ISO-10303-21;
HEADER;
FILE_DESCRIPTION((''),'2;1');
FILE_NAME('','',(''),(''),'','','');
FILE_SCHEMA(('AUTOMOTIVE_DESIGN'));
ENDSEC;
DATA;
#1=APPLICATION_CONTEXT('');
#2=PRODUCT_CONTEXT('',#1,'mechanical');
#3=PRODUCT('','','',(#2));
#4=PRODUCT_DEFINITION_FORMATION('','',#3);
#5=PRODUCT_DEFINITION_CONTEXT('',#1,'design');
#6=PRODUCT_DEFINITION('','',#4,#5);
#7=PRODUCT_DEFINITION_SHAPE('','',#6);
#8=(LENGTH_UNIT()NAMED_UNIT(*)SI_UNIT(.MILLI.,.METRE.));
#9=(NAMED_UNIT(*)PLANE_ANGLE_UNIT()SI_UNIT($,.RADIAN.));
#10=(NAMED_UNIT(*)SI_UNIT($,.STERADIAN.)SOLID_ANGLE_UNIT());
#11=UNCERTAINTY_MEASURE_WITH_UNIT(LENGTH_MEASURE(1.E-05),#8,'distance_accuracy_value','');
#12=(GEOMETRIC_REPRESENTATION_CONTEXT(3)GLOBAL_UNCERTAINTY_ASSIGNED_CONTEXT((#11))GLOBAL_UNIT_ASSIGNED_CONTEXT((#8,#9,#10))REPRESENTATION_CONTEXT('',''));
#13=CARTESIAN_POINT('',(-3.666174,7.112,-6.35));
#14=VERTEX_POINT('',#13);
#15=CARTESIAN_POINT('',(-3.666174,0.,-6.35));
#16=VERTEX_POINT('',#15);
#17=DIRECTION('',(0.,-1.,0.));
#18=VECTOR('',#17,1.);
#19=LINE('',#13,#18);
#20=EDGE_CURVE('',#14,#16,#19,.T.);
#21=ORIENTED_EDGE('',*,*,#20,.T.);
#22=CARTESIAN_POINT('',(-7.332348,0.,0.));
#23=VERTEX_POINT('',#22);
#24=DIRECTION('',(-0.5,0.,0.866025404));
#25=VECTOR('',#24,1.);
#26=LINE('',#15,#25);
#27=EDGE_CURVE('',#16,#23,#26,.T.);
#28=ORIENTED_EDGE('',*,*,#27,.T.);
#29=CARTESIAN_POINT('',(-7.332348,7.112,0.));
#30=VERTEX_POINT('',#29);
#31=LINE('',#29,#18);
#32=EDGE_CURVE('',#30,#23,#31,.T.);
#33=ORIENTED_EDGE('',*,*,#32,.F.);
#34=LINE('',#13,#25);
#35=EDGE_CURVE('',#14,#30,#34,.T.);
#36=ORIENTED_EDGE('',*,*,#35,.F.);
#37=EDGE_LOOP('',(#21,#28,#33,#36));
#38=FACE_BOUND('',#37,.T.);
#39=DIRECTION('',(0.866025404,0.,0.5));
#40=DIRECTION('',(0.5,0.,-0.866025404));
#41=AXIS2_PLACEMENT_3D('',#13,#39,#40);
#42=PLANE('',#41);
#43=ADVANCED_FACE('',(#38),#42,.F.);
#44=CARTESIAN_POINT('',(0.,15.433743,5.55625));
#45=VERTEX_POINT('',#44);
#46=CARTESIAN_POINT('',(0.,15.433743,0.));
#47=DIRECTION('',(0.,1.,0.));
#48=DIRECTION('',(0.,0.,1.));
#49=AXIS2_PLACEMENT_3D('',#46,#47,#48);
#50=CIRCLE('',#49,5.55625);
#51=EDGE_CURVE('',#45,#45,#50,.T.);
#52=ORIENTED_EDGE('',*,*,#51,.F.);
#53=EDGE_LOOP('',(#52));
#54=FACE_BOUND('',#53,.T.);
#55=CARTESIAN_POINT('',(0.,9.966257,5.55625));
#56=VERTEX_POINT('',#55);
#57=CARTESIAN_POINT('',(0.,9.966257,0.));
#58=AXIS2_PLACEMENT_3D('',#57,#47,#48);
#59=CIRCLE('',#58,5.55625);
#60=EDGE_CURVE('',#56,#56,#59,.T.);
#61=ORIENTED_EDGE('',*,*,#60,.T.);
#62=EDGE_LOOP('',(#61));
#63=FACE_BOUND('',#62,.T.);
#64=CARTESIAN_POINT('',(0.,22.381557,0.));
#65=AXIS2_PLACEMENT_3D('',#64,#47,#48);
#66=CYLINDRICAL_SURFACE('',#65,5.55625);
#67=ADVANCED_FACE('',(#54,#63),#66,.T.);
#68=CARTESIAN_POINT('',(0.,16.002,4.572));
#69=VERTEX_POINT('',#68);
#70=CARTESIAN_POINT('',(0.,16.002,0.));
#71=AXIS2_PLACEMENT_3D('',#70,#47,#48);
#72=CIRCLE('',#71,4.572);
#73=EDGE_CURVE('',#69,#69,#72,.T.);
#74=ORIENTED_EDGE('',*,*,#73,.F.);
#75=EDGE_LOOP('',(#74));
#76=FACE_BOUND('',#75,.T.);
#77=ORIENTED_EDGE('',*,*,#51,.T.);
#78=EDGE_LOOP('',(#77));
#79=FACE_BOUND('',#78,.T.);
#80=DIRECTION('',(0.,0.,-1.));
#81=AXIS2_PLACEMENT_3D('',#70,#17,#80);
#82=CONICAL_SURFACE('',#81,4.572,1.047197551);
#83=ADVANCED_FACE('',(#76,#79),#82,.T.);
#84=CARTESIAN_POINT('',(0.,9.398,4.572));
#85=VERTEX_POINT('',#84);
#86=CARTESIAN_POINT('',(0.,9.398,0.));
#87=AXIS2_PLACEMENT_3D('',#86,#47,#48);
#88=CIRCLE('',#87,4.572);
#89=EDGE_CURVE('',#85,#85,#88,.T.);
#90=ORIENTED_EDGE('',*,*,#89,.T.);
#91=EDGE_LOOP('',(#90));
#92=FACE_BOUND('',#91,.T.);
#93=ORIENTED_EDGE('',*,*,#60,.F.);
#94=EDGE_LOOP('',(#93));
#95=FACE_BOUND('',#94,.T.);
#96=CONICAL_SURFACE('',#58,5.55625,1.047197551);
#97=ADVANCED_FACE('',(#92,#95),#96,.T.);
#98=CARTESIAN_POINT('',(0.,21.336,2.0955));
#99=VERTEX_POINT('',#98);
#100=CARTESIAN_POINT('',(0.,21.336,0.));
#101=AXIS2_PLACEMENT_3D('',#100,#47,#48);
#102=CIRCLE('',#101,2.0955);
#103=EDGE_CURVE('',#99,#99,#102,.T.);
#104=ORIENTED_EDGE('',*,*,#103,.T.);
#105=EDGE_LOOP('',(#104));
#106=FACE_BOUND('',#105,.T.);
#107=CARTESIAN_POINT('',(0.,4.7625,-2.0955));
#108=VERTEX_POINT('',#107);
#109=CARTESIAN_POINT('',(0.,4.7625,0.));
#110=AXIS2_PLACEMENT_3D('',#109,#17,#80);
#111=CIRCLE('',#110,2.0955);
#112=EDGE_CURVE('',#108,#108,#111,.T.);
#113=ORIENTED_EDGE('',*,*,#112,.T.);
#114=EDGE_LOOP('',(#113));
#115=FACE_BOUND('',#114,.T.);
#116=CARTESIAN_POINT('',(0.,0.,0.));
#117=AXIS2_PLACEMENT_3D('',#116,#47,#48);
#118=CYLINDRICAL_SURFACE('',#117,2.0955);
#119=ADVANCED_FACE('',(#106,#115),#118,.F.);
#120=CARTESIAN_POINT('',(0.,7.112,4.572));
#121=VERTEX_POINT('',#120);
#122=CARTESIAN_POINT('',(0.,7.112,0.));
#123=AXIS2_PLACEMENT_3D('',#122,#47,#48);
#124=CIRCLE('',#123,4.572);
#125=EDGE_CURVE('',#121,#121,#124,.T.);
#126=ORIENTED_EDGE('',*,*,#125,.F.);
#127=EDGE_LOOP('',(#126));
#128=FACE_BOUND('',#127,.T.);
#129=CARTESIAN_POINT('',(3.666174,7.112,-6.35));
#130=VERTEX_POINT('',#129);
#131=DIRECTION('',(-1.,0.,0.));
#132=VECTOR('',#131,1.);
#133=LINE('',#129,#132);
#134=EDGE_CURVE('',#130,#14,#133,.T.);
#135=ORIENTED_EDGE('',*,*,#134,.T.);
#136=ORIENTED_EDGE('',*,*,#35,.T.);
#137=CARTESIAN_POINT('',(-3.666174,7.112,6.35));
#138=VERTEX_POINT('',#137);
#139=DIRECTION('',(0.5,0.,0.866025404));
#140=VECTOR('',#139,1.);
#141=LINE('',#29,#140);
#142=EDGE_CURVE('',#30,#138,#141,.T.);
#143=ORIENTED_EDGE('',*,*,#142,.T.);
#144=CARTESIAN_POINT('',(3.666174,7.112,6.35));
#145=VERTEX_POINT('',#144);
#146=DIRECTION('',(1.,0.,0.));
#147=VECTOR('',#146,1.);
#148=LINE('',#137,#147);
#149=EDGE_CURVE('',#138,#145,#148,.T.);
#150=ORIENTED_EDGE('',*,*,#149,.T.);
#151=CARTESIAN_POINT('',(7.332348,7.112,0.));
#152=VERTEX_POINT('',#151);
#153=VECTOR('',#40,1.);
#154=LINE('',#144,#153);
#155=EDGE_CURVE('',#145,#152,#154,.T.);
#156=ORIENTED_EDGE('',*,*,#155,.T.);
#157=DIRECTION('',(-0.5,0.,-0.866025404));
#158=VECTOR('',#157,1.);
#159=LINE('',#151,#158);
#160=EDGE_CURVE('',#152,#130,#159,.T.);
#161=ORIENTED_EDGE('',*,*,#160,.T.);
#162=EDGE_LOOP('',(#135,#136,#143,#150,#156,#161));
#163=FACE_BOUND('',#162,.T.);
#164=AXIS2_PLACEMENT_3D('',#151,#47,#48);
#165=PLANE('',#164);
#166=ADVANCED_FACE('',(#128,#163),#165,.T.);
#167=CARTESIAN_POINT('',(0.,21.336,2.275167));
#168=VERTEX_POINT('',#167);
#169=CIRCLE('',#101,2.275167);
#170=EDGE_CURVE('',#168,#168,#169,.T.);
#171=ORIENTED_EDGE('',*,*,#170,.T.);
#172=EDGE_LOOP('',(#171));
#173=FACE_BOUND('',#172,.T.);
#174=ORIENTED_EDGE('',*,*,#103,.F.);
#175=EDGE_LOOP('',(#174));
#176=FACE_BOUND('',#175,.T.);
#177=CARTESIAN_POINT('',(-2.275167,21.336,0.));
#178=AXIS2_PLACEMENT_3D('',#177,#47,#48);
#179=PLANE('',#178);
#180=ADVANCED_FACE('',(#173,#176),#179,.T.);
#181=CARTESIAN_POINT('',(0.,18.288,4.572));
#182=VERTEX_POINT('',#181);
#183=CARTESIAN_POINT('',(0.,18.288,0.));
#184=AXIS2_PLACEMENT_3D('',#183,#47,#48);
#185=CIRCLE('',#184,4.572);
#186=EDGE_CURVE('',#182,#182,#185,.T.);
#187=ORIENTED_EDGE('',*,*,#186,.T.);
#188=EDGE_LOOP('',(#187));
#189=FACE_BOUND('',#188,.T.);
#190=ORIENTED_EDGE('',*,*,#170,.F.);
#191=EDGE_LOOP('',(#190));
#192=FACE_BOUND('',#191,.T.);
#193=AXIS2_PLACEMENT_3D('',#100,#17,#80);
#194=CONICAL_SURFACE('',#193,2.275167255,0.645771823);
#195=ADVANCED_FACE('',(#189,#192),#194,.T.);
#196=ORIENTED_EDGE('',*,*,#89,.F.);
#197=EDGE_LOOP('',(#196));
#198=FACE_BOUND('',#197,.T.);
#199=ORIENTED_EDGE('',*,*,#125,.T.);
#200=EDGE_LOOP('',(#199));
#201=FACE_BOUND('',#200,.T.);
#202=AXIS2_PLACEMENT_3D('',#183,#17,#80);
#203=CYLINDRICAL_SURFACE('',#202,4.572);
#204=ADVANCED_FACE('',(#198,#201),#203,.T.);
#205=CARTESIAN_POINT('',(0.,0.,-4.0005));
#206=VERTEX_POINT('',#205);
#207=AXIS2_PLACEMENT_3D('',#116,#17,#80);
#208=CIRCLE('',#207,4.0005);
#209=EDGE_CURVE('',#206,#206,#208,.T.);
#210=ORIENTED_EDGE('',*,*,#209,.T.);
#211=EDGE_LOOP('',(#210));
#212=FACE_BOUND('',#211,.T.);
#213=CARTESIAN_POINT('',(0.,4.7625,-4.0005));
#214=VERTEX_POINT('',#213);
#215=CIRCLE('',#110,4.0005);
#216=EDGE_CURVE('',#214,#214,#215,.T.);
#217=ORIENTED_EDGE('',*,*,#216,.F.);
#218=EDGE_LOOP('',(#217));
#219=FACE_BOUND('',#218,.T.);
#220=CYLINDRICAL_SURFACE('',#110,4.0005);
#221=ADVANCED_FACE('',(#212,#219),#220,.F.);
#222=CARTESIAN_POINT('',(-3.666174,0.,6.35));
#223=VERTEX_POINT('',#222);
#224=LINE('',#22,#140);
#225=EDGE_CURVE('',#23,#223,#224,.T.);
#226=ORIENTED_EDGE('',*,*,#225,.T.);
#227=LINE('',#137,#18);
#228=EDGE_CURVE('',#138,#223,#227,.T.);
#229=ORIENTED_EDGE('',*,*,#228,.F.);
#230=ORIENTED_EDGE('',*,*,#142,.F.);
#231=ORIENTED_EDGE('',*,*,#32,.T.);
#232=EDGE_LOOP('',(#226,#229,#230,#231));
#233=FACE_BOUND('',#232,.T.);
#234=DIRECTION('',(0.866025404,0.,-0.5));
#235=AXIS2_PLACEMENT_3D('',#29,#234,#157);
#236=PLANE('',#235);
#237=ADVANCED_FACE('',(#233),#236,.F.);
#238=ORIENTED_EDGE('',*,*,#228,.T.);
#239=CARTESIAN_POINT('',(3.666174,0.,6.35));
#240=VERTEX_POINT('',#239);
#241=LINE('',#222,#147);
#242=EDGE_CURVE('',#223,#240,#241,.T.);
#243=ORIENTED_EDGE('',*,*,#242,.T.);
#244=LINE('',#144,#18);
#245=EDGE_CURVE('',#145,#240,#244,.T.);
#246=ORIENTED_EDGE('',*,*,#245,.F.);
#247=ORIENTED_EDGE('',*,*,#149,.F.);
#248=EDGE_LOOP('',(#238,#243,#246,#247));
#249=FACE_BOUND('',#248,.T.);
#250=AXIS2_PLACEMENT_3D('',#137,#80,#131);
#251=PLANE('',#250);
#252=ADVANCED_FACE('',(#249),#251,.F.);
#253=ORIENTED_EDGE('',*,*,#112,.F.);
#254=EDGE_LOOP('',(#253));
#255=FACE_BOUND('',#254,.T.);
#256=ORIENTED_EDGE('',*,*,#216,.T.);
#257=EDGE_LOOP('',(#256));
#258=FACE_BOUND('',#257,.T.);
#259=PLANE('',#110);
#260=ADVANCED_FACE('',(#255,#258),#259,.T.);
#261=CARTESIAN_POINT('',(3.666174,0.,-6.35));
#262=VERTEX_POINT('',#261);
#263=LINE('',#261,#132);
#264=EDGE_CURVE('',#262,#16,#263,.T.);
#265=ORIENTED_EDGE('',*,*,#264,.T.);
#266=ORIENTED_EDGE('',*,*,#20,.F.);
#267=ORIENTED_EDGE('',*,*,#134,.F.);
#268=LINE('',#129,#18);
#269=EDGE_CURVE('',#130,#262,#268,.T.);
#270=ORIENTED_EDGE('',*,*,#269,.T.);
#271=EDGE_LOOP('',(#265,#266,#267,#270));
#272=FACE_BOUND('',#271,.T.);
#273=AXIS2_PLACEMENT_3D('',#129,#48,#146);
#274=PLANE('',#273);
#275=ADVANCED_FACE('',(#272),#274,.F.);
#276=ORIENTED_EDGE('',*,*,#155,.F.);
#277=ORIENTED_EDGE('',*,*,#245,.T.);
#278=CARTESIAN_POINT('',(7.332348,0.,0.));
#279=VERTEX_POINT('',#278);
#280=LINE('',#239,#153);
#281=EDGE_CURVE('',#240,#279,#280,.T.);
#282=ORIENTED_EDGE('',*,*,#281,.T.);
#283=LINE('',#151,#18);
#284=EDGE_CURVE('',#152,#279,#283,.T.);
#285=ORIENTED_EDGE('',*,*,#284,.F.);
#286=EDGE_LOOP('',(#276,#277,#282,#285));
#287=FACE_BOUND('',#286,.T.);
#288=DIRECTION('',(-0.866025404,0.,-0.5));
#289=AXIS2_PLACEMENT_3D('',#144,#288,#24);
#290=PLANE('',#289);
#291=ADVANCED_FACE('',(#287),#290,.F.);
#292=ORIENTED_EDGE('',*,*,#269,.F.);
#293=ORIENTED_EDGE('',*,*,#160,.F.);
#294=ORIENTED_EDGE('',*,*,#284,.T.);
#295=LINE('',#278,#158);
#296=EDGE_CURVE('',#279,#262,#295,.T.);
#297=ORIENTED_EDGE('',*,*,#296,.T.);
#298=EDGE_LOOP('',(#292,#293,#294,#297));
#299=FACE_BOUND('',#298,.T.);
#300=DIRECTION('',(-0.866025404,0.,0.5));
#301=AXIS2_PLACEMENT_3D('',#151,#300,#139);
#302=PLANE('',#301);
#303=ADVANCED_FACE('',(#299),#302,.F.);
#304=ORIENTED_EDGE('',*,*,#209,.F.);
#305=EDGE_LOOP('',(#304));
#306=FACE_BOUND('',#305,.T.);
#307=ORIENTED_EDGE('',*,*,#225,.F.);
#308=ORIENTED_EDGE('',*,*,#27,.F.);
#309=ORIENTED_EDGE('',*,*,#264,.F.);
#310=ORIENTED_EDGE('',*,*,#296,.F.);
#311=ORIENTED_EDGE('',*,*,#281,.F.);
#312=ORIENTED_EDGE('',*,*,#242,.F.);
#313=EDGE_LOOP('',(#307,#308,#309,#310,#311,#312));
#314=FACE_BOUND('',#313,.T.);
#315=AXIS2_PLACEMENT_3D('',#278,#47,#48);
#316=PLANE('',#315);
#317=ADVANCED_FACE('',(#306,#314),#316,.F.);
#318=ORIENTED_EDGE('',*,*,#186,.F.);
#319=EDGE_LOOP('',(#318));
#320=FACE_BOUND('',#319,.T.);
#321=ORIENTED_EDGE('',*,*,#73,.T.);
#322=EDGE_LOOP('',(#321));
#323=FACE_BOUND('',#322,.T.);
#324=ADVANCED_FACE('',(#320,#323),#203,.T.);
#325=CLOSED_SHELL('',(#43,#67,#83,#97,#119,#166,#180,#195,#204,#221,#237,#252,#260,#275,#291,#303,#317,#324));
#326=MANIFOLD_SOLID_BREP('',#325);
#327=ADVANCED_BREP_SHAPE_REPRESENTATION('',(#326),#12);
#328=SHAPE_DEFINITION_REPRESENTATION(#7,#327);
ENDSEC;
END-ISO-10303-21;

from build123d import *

# Parameters (mm, degrees)
BOSS_EXTRUDE1_DEPTH = 7.112
SKETCH2_R           = 4.572
BOSS_EXTRUDE2_DEPTH = 11.176
SKETCH4_R           = 4.0005
CUT_EXTRUDE1_DEPTH  = 4.7625
SKETCH5_R           = 2.0955
CUT_EXTRUDE2_DEPTH  = 22.336


with BuildPart() as part:
    # Sketch1 → Boss-Extrude1 (new body)
    with BuildSketch(Plane(origin=(0, 0, 0), x_dir=(1, 0, 0), z_dir=(0, 1, 0))):
        Polygon((7.332348419, 0), (3.666174209, 6.35), (-3.666174209, 6.35), (-7.332348419, 0), (-3.666174209, -6.35), (3.666174209, -6.35), align=None)
    extrude(amount=BOSS_EXTRUDE1_DEPTH)

    # Sketch2 → Boss-Extrude2 (add)
    with BuildSketch(Plane(origin=(0, 7.112, 0), x_dir=(1, 0, 0), z_dir=(0, 1, 0))):
        Circle(SKETCH2_R)
    extrude(amount=BOSS_EXTRUDE2_DEPTH)

    # Sketch3 → Revolve1 (revolve)
    with BuildSketch(Plane.XY):
        Polygon((0, 18.288), (-4.572, 18.288), (-2.275167255, 21.336), (0, 21.336), align=None)
    revolve(axis=Axis((0, 24.854353551, 0), (0, -1, 0)))

    # Sketch4 → Cut-Extrude1 (cut)
    with BuildSketch(Plane.XZ):
        Circle(SKETCH4_R)
    extrude(amount=-CUT_EXTRUDE1_DEPTH, mode=Mode.SUBTRACT)

    # Sketch5 → Cut-Extrude2 (cut, through all)
    with BuildSketch(Plane(origin=(0, 21.336, 0), x_dir=(1, 0, 0), z_dir=(0, 1, 0))):
        Circle(SKETCH5_R)
    extrude(amount=-CUT_EXTRUDE2_DEPTH, mode=Mode.SUBTRACT)

    # Sketch7 → Revolve2 (revolve)
    with BuildSketch(Plane.XY):
        Polygon((-4.572, 9.398), (-5.55625, 9.966257002), (-5.55625, 15.433742998), (-4.572, 16.002), align=None)
    revolve(axis=Axis((0, 22.381556864, 0), (0, -1, 0)))


solid = part.part
